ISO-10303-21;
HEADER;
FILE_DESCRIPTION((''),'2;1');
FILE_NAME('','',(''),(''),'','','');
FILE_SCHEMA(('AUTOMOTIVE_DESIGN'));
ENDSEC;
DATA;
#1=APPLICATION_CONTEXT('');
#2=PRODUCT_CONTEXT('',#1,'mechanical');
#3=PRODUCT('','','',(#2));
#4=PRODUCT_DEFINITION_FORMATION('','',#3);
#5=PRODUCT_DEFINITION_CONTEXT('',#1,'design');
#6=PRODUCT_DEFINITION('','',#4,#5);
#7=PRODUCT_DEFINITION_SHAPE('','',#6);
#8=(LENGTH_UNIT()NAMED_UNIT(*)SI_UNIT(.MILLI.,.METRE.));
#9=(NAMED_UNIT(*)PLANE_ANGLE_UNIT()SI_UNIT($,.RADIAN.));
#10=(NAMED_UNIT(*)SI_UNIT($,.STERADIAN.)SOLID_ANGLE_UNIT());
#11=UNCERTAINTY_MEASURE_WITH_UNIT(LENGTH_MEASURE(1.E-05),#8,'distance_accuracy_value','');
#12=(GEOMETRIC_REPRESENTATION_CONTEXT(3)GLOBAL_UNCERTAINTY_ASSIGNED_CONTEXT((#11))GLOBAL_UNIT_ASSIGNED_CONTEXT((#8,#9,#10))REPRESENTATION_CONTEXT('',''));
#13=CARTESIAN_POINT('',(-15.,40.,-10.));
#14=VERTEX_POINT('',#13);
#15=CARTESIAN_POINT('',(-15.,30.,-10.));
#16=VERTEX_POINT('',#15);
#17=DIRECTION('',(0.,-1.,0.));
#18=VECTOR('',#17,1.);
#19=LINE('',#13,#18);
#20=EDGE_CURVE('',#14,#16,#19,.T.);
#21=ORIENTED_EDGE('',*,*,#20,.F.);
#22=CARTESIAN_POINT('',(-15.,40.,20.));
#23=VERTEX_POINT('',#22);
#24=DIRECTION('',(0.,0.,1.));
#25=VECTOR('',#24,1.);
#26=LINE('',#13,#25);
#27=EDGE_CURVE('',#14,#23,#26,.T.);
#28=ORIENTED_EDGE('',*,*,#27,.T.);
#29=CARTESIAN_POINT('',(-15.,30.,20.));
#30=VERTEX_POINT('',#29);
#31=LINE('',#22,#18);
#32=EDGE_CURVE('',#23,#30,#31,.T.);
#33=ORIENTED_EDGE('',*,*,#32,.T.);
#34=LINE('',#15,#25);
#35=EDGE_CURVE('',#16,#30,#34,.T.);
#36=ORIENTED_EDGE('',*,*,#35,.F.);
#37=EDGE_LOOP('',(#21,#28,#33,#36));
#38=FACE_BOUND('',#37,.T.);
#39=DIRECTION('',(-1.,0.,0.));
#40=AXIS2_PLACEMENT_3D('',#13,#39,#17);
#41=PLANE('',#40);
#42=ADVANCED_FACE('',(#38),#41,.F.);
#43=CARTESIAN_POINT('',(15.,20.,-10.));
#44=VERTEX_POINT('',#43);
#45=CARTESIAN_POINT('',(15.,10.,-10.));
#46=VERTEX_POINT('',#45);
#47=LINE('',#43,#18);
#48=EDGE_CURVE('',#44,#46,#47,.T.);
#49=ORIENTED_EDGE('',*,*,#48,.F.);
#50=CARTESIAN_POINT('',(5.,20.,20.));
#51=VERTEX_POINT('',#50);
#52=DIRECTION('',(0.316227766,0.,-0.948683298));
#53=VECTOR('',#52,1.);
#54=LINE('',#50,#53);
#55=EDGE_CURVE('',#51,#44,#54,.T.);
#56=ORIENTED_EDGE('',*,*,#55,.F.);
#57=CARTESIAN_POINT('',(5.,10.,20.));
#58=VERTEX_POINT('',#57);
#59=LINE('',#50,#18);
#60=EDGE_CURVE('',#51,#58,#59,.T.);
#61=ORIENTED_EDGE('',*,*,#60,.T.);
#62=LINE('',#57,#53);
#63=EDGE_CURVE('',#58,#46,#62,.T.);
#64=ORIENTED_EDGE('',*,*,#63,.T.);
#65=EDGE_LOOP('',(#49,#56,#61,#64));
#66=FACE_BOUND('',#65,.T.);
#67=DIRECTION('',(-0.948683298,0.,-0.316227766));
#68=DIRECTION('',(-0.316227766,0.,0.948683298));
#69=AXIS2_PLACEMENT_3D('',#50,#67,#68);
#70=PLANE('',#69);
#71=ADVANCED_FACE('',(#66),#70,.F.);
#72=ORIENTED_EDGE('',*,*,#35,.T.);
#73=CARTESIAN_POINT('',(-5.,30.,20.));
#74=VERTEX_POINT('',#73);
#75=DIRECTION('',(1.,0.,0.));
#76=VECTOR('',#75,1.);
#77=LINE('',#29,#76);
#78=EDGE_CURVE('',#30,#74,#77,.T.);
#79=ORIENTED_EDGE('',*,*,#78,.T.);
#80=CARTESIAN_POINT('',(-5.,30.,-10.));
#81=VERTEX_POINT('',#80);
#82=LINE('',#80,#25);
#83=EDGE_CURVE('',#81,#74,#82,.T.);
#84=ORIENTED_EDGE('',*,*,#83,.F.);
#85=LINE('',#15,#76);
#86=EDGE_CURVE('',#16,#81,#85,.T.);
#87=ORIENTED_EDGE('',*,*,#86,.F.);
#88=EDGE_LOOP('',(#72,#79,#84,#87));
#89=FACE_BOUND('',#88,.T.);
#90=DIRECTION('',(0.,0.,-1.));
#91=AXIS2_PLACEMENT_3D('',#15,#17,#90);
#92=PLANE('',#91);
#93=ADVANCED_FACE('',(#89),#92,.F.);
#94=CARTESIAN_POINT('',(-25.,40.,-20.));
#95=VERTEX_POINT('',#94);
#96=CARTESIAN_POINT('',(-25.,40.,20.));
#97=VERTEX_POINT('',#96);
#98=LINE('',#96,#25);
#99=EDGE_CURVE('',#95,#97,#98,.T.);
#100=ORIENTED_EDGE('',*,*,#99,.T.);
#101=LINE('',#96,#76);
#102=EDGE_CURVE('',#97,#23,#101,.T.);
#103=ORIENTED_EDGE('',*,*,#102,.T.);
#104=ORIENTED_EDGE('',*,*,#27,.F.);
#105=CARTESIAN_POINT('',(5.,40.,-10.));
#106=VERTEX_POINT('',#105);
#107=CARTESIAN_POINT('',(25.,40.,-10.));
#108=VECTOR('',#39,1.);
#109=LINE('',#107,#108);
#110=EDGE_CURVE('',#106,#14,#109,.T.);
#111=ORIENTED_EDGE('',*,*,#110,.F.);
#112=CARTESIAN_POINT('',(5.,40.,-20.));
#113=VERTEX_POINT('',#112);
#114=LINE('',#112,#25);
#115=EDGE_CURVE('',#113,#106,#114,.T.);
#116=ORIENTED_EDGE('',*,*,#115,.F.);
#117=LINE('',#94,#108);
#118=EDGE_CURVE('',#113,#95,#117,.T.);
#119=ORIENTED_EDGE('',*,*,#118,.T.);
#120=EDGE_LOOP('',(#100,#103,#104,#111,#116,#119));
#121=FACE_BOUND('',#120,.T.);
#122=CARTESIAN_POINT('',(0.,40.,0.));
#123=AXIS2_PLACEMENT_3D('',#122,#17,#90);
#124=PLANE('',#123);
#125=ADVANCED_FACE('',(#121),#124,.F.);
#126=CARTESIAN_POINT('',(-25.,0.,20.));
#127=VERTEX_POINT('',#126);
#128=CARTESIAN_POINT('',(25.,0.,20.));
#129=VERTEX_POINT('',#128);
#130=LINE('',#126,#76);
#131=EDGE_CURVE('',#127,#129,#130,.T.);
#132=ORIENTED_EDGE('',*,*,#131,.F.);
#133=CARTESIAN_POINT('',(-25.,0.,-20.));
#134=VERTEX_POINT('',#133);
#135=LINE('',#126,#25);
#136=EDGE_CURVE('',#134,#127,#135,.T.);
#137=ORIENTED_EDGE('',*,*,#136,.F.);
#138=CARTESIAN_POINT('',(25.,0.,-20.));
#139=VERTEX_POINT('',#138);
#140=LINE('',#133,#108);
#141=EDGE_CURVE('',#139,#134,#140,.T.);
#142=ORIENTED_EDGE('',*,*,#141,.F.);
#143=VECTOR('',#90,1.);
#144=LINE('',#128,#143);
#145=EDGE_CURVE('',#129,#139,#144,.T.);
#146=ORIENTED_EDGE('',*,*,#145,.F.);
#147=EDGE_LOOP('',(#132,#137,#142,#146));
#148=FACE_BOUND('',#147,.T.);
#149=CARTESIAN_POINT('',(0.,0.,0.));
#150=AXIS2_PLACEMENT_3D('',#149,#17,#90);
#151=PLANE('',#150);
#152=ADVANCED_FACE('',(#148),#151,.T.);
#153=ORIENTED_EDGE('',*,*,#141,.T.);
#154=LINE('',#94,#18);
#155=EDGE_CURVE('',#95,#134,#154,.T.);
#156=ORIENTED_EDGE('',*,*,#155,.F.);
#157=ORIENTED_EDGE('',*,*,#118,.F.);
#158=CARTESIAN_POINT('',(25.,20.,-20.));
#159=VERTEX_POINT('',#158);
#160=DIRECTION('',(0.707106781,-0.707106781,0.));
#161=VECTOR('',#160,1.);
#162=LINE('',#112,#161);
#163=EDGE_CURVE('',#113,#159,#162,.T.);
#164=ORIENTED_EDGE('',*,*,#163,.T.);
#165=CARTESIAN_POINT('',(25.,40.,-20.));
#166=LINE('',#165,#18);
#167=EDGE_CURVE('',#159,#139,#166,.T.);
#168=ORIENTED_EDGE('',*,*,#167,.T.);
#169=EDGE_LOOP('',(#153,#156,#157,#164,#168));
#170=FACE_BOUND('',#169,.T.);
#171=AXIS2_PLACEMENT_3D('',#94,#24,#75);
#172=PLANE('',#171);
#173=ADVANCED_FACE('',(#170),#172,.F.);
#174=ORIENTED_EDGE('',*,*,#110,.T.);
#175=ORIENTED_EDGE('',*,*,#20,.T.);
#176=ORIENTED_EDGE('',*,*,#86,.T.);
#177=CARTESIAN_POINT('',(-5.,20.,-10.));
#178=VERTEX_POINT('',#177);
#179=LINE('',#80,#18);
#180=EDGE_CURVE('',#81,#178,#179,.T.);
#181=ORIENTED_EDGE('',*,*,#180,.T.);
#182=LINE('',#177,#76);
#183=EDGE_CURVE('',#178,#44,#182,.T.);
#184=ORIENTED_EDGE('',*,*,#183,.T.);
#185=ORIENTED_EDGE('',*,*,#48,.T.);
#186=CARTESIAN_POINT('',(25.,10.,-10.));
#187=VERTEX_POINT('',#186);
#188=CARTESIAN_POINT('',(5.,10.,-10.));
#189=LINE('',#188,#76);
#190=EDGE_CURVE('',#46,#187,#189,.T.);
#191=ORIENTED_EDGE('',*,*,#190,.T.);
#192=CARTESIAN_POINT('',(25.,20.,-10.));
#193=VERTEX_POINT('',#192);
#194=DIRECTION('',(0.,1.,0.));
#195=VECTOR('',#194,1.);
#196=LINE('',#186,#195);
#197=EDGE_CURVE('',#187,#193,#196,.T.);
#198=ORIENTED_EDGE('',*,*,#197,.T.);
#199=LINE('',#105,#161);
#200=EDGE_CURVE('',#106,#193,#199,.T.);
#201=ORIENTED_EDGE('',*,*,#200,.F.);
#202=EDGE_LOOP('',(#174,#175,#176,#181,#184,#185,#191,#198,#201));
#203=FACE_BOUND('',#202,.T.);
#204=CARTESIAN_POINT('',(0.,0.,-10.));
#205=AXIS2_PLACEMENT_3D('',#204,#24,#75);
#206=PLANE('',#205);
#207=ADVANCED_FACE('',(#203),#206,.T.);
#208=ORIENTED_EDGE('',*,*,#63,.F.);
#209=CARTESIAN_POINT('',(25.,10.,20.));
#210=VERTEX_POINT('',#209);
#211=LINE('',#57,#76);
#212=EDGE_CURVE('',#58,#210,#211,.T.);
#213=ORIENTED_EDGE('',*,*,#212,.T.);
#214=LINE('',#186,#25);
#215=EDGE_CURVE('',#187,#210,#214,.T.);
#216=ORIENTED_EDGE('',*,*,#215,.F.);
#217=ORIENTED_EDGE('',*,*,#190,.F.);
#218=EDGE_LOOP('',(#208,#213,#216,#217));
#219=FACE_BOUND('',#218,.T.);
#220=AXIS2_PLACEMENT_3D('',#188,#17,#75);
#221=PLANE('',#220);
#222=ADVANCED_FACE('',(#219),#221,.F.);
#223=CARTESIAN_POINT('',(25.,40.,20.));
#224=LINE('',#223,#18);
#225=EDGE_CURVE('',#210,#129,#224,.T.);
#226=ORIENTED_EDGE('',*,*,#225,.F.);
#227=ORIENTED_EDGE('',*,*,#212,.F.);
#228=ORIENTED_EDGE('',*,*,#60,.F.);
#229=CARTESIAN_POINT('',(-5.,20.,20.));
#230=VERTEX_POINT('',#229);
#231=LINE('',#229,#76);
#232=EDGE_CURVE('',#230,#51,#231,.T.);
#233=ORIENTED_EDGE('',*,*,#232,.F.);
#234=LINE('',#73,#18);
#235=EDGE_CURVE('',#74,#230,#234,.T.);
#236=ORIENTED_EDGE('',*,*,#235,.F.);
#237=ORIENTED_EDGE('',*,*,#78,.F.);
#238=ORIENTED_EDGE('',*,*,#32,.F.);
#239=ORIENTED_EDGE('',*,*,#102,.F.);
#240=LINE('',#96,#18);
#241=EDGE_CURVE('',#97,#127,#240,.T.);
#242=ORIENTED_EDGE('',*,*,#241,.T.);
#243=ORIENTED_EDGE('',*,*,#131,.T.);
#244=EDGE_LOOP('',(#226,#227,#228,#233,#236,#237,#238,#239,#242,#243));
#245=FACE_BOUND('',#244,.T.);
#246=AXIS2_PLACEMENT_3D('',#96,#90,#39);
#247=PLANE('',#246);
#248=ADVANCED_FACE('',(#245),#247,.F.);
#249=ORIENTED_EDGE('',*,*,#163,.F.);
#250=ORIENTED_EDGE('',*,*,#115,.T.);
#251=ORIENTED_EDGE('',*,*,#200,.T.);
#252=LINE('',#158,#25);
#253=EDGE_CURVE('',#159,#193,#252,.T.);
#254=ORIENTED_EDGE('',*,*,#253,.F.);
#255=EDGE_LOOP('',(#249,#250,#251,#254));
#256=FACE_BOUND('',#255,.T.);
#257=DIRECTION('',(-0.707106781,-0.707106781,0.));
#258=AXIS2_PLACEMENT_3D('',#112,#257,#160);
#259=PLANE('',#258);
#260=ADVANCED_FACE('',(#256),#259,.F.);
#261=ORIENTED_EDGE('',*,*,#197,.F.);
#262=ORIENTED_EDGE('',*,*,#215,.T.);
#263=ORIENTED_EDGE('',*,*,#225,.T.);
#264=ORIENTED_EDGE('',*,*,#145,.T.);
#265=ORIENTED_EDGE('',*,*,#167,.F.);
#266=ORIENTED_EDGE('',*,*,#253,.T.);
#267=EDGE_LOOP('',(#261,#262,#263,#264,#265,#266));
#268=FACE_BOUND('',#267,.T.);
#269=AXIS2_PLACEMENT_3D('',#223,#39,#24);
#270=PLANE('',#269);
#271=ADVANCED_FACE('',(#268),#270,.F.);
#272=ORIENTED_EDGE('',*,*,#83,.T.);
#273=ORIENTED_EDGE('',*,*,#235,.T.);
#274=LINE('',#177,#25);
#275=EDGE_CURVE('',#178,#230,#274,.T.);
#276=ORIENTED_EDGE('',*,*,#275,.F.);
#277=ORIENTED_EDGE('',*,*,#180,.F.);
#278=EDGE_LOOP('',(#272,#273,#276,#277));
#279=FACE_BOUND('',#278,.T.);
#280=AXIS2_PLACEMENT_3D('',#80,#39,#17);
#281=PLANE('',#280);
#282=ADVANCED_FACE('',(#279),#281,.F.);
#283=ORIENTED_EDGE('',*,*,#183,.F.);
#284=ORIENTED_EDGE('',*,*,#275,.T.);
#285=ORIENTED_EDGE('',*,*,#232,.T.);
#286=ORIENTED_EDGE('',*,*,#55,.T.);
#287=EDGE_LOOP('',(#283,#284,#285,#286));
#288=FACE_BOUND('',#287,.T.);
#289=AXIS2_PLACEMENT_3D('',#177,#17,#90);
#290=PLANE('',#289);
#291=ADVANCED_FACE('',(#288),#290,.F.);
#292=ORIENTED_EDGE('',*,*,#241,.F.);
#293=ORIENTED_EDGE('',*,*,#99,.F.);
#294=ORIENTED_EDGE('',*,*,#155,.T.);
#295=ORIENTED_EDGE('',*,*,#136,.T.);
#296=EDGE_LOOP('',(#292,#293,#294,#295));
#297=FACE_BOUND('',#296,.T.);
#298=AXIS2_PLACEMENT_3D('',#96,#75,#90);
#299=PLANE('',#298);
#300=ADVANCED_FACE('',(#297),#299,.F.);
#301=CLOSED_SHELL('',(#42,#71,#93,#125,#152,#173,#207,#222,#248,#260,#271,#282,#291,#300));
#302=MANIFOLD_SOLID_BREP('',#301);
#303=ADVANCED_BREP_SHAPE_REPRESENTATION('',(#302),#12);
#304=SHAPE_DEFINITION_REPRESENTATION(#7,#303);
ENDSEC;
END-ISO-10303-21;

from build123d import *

# Parameters (mm, degrees)
SKETCH_1_W          = 50
SKETCH_1_H          = 40
EXTRUDE_1_DEPTH     = 40
CUT_EXTRUDE_1_DEPTH = 30
EXTRUDE_2_DEPTH     = 10
CUT_EXTRUDE_2_DEPTH = 11


with BuildPart() as part:
    # 草圖1 → 填料-伸長1 (new body)
    with BuildSketch(Plane(origin=(0, 0, 0), x_dir=(1, 0, 0), z_dir=(0, 1, 0))):
        Rectangle(SKETCH_1_W, SKETCH_1_H)
    extrude(amount=EXTRUDE_1_DEPTH)

    # 草圖2 → 除料-伸長1 (cut)
    with BuildSketch(Plane.XY.offset(20)):
        Polygon((-15, 40), (-15, 30), (-5, 30), (-5, 20), (5, 20), (5, 10), (25, 10), (25, 40), align=None)
    extrude(amount=-CUT_EXTRUDE_1_DEPTH, mode=Mode.SUBTRACT)

    # 草圖3 → 填料-伸長2 (add)
    with BuildSketch(Plane(origin=(0, 10, 0), x_dir=(1, 0, 0), z_dir=(0, 1, 0))):
        Polygon((5, -20), (15, 10), (5, 10), align=None)
    extrude(amount=EXTRUDE_2_DEPTH)

    # 草圖4 → 除料-伸長2 (cut, through all)
    with BuildSketch(Plane.XY.offset(-10)):
        Polygon((5, 40), (25, 20), (25, 40), align=None)
    extrude(amount=-CUT_EXTRUDE_2_DEPTH, mode=Mode.SUBTRACT)


solid = part.part
